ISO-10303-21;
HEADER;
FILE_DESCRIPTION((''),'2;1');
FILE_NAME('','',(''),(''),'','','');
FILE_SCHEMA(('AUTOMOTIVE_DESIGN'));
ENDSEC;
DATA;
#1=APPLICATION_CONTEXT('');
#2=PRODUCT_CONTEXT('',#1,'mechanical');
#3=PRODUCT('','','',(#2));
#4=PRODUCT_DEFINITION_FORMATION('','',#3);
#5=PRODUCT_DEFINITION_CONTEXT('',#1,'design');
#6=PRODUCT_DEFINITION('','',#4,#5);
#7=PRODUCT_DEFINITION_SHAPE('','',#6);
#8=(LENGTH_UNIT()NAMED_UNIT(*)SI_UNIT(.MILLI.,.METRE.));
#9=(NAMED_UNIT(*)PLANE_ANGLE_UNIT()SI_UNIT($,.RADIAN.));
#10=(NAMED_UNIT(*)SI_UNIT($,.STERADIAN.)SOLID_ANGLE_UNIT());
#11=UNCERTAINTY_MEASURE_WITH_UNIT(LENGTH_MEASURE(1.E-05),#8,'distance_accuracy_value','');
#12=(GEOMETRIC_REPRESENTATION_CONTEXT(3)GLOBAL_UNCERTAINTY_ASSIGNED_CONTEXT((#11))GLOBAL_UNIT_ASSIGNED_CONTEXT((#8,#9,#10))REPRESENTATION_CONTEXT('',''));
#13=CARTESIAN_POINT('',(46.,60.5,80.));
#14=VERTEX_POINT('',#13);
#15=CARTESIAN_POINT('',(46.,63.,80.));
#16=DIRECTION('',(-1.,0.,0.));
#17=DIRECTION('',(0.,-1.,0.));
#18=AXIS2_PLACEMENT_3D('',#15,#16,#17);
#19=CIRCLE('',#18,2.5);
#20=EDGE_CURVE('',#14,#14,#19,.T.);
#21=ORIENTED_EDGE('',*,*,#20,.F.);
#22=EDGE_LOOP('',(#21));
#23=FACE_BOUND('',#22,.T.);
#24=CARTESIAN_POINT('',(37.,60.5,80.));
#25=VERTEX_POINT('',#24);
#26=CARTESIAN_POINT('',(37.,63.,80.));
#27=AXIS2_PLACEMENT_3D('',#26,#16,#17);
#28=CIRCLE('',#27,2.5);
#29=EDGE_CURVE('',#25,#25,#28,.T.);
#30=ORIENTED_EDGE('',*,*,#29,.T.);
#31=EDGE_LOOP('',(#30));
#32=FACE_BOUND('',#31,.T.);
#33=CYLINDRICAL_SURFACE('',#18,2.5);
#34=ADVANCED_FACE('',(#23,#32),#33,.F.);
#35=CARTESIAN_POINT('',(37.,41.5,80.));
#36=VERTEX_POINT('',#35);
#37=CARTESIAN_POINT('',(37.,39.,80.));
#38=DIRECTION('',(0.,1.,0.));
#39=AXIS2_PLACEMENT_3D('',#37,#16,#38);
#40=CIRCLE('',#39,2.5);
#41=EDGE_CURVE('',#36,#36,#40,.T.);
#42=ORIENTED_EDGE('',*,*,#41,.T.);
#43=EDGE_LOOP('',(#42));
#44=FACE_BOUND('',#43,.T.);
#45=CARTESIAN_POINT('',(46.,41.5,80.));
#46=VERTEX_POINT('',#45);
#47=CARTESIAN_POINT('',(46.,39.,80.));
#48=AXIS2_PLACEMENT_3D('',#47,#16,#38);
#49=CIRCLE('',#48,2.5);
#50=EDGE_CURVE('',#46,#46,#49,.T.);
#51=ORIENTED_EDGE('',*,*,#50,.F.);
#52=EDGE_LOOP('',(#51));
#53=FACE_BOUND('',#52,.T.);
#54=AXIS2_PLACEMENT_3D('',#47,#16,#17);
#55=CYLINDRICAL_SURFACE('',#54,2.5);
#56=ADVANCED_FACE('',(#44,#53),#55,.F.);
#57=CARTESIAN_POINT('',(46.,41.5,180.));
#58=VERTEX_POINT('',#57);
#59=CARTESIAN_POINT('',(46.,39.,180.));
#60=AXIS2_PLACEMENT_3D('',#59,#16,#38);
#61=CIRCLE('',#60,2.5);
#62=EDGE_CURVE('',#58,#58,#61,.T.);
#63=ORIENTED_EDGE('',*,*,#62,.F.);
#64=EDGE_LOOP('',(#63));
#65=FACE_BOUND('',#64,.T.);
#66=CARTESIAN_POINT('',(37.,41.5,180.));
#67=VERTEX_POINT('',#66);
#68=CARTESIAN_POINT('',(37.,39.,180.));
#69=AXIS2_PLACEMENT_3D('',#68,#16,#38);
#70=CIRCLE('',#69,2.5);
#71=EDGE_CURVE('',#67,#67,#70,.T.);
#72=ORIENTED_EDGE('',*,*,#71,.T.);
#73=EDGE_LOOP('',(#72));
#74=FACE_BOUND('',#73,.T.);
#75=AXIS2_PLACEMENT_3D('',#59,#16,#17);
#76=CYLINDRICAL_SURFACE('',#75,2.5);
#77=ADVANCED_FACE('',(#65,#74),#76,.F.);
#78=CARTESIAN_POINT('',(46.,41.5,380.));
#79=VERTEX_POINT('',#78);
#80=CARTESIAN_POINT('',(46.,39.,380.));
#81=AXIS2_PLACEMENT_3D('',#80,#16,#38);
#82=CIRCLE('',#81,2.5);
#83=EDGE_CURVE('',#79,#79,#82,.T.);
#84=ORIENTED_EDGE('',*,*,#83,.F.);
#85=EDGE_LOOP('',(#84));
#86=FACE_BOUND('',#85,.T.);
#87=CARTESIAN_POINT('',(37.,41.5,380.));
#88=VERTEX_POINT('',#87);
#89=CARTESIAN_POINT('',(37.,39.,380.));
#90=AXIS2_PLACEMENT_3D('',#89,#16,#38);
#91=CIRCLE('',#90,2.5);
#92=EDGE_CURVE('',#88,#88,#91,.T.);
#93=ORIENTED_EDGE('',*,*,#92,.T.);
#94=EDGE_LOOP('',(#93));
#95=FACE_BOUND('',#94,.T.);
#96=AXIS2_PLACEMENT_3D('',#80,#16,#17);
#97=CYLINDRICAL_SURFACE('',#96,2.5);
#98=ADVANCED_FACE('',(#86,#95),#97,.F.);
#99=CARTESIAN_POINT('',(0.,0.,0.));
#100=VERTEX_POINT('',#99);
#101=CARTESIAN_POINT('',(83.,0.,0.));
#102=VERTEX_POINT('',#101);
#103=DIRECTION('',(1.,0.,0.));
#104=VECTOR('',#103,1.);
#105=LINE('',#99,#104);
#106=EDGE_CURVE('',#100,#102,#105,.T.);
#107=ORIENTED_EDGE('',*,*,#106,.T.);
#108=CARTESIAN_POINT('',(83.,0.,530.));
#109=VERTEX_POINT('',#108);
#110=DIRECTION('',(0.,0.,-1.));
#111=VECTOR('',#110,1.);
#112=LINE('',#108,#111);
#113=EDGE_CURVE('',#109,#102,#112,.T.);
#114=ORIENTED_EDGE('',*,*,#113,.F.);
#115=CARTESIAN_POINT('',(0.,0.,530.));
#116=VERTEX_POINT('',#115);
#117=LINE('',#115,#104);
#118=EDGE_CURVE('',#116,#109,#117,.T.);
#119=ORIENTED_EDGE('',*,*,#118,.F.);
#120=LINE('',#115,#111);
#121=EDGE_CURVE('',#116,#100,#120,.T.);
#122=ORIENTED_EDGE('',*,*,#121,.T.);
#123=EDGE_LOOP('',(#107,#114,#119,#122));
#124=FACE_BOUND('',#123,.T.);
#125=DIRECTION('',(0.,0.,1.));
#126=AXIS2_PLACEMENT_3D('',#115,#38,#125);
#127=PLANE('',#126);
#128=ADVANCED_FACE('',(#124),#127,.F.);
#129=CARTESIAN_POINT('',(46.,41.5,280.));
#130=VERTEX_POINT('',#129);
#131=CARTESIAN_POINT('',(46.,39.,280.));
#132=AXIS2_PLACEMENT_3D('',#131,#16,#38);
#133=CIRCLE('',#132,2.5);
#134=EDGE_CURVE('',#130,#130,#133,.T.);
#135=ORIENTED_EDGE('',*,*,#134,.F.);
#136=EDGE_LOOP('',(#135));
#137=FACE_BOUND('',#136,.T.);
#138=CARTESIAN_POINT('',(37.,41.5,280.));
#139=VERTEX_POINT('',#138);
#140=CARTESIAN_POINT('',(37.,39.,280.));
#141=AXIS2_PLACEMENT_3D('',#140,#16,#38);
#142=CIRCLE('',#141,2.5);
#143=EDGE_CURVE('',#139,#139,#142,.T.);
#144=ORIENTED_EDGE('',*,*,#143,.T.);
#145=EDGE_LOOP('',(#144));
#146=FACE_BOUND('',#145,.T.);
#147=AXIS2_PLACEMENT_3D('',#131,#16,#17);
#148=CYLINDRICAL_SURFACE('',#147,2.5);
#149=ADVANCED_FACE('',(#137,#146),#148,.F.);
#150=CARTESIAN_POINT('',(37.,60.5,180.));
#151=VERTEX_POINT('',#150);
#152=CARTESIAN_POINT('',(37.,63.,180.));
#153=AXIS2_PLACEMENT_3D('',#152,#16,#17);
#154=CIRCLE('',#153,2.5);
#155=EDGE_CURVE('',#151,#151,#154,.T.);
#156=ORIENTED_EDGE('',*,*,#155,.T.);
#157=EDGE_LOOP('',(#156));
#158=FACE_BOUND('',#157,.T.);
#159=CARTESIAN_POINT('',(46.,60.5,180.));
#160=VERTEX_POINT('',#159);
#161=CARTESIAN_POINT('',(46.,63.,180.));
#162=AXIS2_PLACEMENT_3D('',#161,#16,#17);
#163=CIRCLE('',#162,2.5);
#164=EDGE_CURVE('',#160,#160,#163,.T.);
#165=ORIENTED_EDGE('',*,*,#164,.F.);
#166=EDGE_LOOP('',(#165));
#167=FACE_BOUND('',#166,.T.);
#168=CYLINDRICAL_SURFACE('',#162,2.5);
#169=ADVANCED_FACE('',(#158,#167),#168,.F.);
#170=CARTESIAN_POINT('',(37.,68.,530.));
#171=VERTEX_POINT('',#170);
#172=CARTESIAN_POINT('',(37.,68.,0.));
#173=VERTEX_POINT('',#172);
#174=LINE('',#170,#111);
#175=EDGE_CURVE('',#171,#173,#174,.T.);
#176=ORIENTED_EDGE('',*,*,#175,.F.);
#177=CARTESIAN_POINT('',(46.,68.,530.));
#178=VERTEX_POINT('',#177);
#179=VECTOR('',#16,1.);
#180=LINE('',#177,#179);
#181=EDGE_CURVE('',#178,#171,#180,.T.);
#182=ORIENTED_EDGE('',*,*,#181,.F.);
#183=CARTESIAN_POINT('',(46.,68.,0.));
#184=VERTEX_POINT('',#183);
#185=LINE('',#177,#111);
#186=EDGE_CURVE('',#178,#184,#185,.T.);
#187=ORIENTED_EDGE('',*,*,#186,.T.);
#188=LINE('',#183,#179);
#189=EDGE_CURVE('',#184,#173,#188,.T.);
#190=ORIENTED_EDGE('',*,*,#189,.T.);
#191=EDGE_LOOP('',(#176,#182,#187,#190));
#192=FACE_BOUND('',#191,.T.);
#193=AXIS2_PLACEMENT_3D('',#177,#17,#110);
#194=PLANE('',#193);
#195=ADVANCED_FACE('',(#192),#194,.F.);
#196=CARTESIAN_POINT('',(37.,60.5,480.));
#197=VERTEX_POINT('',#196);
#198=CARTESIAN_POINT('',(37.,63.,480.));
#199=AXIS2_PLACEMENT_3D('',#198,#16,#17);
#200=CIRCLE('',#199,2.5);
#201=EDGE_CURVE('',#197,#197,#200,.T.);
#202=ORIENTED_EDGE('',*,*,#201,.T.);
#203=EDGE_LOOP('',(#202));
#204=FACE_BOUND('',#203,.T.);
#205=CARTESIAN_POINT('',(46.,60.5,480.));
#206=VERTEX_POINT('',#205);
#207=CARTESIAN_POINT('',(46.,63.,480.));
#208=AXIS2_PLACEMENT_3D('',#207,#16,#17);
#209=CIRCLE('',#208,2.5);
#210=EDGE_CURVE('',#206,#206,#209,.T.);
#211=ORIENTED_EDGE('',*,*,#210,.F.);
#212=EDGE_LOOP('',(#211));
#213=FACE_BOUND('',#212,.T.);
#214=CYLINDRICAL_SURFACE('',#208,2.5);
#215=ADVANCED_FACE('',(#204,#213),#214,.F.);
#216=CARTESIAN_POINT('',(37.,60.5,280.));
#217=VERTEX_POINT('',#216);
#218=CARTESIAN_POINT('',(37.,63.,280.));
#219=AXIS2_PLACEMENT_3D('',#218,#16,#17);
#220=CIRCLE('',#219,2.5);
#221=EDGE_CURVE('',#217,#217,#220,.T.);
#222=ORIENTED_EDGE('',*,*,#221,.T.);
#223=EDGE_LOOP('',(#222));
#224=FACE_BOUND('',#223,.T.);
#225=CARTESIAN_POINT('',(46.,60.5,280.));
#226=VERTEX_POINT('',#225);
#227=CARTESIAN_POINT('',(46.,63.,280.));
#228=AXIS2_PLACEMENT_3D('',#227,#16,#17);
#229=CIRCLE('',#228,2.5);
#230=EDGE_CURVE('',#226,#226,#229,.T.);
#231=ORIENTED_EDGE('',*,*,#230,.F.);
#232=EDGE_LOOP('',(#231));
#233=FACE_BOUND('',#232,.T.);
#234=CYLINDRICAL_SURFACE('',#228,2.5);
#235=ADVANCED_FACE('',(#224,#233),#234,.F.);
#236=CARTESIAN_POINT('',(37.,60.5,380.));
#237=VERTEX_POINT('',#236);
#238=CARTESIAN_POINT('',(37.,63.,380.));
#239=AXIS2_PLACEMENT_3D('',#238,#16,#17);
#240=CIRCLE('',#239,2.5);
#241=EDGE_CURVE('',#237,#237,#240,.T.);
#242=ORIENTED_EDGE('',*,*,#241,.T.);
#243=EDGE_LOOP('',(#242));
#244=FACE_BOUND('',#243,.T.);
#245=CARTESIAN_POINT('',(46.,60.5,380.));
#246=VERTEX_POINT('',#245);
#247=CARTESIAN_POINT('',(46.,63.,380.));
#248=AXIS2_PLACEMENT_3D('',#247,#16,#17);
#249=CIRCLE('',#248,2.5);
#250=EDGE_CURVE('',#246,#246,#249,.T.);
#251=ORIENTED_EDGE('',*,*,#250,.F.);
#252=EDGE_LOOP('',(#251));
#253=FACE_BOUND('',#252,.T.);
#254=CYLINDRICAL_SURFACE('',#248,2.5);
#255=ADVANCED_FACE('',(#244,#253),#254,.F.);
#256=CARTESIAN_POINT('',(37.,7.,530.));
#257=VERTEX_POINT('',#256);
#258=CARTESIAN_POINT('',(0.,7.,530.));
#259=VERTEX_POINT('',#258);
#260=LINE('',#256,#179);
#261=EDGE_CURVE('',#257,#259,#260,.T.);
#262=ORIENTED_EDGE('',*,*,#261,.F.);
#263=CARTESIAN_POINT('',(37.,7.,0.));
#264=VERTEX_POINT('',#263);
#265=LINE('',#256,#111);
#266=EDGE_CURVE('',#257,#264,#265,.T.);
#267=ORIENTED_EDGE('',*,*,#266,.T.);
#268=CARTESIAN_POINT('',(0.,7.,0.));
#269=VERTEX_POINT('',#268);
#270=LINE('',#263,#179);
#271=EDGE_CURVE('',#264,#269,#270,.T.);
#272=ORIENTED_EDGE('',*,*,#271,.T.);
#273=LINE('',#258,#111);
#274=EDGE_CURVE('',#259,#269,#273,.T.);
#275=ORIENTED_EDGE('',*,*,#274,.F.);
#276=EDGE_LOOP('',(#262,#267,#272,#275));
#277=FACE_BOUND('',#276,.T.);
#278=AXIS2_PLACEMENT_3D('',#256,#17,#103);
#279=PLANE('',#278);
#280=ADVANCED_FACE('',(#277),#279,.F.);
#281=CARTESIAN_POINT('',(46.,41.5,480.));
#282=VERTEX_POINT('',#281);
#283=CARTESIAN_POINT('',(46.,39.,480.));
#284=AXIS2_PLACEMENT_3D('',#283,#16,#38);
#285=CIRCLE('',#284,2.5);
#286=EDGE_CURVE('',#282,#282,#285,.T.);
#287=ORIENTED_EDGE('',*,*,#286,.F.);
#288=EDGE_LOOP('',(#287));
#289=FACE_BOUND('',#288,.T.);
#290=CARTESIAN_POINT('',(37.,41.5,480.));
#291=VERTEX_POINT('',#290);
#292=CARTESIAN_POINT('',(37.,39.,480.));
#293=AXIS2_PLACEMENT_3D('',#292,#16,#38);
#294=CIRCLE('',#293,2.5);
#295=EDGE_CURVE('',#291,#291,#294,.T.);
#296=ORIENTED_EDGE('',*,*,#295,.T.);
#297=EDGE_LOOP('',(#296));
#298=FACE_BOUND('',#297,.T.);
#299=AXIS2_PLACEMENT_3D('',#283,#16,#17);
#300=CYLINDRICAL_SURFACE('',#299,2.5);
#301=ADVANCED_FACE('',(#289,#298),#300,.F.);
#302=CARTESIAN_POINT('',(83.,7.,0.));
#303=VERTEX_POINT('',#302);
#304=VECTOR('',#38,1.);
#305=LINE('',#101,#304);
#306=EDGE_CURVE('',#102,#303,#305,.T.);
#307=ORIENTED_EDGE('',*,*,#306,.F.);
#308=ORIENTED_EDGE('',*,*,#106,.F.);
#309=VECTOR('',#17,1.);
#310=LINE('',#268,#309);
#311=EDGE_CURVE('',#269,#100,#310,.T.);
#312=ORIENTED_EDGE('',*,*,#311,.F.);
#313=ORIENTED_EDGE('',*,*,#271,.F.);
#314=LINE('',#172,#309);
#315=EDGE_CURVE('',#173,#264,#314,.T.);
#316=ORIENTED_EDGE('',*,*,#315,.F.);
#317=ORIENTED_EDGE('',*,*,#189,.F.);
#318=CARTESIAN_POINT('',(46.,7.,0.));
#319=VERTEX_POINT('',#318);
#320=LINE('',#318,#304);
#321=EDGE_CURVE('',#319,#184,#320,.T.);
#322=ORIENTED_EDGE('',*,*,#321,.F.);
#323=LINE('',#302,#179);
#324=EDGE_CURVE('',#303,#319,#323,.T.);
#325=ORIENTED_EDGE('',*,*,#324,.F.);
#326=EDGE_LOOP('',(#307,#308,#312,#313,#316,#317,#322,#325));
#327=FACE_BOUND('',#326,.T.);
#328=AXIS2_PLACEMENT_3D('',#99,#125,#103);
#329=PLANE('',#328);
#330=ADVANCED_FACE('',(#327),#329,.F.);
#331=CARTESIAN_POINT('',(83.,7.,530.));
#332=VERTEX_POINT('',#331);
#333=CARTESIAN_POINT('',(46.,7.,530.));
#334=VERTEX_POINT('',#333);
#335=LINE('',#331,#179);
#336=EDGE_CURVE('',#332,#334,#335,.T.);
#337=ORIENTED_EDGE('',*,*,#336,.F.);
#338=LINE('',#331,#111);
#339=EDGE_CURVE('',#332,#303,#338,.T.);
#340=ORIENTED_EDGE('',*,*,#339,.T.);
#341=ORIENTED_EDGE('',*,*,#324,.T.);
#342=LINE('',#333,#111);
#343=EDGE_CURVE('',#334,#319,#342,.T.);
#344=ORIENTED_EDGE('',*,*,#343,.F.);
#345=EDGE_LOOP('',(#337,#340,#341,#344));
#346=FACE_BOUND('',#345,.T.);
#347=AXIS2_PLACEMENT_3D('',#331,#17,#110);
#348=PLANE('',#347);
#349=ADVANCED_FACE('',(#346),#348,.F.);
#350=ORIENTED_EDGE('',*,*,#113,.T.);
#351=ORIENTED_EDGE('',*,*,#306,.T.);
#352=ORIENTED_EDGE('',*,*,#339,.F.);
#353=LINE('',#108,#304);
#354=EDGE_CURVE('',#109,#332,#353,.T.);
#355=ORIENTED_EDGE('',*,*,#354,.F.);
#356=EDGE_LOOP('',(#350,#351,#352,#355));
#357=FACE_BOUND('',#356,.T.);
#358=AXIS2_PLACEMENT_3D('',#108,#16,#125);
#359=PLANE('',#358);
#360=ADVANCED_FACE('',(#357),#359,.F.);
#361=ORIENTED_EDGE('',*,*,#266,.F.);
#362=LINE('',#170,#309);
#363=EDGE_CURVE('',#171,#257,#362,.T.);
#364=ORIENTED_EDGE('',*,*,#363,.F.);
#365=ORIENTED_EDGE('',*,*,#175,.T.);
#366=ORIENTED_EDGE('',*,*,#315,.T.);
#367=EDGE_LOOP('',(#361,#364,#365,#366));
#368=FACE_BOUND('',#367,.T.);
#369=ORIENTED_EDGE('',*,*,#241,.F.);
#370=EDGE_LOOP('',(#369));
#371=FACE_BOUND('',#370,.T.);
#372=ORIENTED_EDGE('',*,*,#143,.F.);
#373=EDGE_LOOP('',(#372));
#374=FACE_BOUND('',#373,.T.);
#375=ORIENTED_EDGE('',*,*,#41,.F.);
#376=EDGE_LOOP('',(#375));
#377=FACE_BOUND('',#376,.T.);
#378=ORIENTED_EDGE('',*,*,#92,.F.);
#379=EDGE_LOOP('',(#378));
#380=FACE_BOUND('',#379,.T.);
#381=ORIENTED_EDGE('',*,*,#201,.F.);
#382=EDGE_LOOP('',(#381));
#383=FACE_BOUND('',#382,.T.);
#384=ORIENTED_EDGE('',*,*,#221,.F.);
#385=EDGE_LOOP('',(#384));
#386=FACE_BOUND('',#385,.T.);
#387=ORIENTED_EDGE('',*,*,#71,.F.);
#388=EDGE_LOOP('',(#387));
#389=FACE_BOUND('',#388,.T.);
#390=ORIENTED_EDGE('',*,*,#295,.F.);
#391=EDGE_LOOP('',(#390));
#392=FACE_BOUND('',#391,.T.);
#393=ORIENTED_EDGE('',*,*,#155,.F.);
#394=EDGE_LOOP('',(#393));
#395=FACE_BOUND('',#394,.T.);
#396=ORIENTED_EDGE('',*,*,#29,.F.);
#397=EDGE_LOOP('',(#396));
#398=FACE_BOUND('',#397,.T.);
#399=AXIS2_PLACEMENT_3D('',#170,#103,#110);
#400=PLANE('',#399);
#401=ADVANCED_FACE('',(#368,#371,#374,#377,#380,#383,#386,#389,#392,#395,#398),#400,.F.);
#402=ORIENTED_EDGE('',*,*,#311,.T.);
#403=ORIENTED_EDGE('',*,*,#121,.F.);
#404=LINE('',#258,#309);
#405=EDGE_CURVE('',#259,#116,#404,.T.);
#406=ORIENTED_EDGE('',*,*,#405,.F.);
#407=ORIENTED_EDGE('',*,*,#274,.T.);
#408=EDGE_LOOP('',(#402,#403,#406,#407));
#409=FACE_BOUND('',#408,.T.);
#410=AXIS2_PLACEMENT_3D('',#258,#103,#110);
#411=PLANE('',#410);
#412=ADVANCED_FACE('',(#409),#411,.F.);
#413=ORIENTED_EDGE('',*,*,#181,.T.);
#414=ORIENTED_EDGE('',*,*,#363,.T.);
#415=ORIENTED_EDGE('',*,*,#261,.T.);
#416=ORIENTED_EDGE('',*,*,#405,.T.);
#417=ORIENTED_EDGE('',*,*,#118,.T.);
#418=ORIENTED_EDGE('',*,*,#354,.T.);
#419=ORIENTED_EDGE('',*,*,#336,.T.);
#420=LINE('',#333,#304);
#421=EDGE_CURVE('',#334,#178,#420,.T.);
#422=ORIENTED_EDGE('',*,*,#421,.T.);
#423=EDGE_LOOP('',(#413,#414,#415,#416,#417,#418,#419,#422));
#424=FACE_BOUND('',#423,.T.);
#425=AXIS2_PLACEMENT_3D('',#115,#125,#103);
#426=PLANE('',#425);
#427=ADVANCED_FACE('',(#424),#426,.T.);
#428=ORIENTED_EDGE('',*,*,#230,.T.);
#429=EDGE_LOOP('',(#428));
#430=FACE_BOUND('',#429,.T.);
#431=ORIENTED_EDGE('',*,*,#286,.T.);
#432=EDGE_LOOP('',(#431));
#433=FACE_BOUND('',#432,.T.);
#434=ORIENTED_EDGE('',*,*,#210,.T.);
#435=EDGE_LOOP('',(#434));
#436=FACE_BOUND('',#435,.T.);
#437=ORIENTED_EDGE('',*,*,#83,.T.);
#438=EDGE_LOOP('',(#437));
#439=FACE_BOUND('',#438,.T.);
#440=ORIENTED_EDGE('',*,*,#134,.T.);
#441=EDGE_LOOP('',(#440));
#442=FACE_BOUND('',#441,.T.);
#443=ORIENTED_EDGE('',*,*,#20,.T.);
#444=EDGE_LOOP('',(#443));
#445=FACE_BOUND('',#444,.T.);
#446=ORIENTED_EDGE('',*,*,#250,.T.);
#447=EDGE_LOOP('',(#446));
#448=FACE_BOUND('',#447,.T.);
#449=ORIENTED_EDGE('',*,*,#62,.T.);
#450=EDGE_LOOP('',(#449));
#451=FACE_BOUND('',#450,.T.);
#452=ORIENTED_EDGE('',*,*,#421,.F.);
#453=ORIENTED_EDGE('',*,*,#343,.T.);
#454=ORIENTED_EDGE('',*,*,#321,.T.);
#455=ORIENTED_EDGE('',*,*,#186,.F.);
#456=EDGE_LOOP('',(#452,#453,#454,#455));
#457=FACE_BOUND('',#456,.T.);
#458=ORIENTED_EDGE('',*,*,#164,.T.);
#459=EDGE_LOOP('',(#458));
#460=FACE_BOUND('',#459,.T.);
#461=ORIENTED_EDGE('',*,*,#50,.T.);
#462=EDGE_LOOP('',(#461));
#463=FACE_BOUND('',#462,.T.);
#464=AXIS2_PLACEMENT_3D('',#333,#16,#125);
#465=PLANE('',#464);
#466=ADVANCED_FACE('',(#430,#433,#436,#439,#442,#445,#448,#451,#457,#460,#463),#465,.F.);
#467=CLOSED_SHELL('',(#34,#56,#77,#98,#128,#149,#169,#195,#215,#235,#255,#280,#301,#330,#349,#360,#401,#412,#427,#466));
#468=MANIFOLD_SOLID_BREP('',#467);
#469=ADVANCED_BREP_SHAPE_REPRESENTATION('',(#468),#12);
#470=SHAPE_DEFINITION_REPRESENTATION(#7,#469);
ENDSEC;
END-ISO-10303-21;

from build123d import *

# Parameters (mm, degrees)
BOSS_EXTRU_1_DEPTH      = 530
ESQUISSE2_R             = 2.5
ENL_V_MAT_EXTRU_1_DEPTH = 9


with BuildPart() as part:
    # Esquisse1 → Boss.-Extru.1 (new body)
    with BuildSketch(Plane.XY):
        Polygon((0, 0), (83, 0), (83, 7), (46, 7), (46, 68), (37, 68), (37, 7), (0, 7), align=None)
    extrude(amount=BOSS_EXTRU_1_DEPTH)

    # Esquisse2 → Enlèv. mat.-Extru.1 (cut)
    with BuildSketch(Plane.ZY.offset(-37)):
        with Locations(Location((80, 63, 0), (0, 0, 270))):
            Circle(ESQUISSE2_R)
        with Locations(Location((80, 39, 0), (0, 0, 90))):
            Circle(ESQUISSE2_R)
        with Locations(Location((180, 63, 0), (0, 0, 270))):
            Circle(ESQUISSE2_R)
        with Locations(Location((180, 39, 0), (0, 0, 90))):
            Circle(ESQUISSE2_R)
        with Locations(Location((280, 63, 0), (0, 0, 270))):
            Circle(ESQUISSE2_R)
        with Locations(Location((280, 39, 0), (0, 0, 90))):
            Circle(ESQUISSE2_R)
        with Locations(Location((380, 63, 0), (0, 0, 270))):
            Circle(ESQUISSE2_R)
        with Locations(Location((380, 39, 0), (0, 0, 90))):
            Circle(ESQUISSE2_R)
        with Locations(Location((480, 63, 0), (0, 0, 270))):
            Circle(ESQUISSE2_R)
        with Locations(Location((480, 39, 0), (0, 0, 90))):
            Circle(ESQUISSE2_R)
    extrude(amount=-ENL_V_MAT_EXTRU_1_DEPTH, mode=Mode.SUBTRACT)


solid = part.part
